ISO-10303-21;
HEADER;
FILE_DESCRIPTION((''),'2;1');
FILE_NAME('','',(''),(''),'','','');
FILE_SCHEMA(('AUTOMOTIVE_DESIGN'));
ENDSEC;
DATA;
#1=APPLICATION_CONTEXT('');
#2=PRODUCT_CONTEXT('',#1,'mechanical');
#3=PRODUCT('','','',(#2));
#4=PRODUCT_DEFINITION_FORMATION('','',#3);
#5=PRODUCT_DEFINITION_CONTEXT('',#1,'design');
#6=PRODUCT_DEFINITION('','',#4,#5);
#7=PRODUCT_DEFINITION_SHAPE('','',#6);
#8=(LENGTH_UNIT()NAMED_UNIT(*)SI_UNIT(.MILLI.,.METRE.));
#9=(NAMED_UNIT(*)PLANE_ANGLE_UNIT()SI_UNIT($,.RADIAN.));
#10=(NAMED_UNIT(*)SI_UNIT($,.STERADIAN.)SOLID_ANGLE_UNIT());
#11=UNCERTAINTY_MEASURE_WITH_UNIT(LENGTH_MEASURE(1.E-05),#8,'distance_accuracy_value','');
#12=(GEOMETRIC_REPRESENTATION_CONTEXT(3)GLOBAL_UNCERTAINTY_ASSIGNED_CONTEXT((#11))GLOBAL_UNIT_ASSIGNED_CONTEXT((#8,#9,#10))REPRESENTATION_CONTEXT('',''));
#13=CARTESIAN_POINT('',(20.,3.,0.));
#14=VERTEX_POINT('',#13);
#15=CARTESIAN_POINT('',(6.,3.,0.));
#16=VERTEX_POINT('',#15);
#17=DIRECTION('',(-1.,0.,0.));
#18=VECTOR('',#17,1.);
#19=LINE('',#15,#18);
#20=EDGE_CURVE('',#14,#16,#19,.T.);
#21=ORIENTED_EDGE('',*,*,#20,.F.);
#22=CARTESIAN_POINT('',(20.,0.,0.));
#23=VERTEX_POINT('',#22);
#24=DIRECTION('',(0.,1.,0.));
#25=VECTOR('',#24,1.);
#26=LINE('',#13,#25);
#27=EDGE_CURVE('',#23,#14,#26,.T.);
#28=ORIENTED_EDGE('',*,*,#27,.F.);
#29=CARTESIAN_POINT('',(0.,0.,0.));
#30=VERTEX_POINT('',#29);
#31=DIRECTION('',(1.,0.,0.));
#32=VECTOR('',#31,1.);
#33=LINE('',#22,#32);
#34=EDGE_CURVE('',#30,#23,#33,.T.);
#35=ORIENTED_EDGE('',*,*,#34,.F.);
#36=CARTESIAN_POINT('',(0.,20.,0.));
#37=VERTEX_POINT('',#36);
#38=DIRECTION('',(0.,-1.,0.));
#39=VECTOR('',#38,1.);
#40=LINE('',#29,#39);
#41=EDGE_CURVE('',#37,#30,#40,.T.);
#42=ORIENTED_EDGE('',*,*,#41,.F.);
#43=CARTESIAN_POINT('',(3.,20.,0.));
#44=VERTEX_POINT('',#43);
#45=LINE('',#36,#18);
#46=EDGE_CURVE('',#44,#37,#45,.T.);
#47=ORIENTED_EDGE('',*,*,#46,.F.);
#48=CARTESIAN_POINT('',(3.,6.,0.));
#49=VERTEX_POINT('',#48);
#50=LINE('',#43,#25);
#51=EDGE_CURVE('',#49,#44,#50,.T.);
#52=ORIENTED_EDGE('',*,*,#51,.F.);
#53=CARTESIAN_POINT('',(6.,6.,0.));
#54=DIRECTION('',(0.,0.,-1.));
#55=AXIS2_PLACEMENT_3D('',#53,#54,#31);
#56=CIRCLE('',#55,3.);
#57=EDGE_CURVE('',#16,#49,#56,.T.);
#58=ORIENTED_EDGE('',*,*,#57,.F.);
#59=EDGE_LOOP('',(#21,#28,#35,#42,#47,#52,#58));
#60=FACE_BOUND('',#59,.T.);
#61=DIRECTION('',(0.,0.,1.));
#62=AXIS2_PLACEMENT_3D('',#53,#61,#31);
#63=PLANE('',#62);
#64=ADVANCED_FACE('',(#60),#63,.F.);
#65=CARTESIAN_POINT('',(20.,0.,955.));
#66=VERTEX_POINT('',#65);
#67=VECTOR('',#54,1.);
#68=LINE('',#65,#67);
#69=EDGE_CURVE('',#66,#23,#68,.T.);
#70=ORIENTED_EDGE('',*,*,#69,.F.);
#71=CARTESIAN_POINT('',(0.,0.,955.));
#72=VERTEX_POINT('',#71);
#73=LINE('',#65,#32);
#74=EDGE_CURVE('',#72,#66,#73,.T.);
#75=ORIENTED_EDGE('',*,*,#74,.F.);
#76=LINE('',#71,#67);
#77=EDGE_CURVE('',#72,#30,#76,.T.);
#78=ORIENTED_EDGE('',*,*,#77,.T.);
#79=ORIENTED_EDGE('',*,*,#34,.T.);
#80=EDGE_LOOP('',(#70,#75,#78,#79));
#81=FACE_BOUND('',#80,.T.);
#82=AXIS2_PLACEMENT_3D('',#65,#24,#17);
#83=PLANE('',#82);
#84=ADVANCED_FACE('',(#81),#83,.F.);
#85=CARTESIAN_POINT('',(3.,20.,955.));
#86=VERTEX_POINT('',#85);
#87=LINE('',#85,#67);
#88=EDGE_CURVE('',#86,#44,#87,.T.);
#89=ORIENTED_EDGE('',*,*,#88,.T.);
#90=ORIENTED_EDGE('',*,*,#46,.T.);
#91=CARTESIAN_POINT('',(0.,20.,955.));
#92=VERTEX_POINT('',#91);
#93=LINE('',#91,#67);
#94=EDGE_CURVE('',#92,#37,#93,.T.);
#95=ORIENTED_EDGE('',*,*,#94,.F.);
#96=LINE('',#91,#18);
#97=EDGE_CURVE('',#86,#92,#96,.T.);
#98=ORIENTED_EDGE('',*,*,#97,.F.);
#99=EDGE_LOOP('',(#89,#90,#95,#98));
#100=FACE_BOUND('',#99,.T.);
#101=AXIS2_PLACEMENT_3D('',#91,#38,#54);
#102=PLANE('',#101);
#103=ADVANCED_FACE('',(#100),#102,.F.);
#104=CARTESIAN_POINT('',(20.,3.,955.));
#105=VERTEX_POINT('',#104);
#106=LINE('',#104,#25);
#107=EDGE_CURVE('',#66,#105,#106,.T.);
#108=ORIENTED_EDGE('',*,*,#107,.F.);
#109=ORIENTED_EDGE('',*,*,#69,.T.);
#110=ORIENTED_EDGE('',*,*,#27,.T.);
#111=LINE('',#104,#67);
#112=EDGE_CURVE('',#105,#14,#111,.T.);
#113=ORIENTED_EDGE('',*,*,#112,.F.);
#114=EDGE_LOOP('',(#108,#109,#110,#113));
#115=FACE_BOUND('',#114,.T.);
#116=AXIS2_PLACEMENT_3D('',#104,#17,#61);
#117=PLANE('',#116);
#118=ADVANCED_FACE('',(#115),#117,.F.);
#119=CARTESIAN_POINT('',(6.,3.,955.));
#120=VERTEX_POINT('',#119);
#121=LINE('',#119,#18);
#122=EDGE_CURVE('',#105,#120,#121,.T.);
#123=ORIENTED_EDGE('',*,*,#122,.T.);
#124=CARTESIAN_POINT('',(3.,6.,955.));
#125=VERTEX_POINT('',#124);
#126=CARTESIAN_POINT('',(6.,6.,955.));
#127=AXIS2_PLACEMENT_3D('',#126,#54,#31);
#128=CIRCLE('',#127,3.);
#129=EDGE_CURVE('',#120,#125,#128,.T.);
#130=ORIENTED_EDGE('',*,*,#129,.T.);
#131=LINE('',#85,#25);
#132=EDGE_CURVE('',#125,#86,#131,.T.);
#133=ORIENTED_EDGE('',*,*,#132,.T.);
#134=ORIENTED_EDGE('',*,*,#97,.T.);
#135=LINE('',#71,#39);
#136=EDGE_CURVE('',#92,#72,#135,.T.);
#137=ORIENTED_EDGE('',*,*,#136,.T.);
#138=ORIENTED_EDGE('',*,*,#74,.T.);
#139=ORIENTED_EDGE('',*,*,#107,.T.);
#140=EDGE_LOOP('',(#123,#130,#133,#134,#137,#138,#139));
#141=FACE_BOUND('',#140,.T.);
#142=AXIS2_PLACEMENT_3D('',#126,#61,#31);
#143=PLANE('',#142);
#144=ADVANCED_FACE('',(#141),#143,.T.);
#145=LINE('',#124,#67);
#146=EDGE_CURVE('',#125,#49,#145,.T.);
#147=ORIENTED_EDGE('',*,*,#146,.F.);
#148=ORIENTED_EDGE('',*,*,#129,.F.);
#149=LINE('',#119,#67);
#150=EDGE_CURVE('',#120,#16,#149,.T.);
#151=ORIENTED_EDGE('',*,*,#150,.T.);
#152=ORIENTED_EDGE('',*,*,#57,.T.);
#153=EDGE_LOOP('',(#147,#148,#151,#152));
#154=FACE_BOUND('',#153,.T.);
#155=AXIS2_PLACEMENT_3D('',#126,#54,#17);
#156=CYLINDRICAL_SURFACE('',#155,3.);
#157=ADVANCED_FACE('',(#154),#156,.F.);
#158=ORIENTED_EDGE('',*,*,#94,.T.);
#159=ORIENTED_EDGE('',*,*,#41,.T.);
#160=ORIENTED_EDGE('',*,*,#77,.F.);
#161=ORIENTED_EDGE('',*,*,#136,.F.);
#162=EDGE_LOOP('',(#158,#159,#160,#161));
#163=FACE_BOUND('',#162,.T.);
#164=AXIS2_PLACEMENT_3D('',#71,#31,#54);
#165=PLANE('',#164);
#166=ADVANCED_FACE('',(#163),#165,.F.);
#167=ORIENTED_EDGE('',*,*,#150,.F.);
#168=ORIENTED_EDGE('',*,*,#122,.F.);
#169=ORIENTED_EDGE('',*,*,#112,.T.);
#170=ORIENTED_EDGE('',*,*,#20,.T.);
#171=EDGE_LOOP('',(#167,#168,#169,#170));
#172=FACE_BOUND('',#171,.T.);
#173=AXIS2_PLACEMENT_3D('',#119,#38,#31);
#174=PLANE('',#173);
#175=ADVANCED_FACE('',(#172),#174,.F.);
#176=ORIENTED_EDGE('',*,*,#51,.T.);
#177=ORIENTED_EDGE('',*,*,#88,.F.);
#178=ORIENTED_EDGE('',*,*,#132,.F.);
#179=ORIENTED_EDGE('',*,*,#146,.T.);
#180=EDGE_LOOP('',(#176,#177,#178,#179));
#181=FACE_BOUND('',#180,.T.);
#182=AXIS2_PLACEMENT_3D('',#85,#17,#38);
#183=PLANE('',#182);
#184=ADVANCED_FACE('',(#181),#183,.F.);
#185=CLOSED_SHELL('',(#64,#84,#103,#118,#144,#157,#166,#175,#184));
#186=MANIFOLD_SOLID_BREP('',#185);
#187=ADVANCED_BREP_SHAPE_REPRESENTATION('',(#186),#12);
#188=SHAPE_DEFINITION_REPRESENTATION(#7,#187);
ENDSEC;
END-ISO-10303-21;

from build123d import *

# Parameters (mm, degrees)
BOSS_EXTRU_1_DEPTH = 955


with BuildPart() as part:
    # Esquisse1 → Boss.-Extru.1 (new body)
    with BuildSketch(Plane.XY):
        with BuildLine():
            Line((0, 0), (0, 20))
            Line((0, 20), (3, 20))
            Line((3, 20), (3, 6))
            ThreePointArc((3, 6), (3.878679656, 3.878679656), (6, 3))
            Line((6, 3), (20, 3))
            Line((20, 3), (20, 0))
            Line((20, 0), (0, 0))
        make_face()
    extrude(amount=BOSS_EXTRU_1_DEPTH)


solid = part.part
